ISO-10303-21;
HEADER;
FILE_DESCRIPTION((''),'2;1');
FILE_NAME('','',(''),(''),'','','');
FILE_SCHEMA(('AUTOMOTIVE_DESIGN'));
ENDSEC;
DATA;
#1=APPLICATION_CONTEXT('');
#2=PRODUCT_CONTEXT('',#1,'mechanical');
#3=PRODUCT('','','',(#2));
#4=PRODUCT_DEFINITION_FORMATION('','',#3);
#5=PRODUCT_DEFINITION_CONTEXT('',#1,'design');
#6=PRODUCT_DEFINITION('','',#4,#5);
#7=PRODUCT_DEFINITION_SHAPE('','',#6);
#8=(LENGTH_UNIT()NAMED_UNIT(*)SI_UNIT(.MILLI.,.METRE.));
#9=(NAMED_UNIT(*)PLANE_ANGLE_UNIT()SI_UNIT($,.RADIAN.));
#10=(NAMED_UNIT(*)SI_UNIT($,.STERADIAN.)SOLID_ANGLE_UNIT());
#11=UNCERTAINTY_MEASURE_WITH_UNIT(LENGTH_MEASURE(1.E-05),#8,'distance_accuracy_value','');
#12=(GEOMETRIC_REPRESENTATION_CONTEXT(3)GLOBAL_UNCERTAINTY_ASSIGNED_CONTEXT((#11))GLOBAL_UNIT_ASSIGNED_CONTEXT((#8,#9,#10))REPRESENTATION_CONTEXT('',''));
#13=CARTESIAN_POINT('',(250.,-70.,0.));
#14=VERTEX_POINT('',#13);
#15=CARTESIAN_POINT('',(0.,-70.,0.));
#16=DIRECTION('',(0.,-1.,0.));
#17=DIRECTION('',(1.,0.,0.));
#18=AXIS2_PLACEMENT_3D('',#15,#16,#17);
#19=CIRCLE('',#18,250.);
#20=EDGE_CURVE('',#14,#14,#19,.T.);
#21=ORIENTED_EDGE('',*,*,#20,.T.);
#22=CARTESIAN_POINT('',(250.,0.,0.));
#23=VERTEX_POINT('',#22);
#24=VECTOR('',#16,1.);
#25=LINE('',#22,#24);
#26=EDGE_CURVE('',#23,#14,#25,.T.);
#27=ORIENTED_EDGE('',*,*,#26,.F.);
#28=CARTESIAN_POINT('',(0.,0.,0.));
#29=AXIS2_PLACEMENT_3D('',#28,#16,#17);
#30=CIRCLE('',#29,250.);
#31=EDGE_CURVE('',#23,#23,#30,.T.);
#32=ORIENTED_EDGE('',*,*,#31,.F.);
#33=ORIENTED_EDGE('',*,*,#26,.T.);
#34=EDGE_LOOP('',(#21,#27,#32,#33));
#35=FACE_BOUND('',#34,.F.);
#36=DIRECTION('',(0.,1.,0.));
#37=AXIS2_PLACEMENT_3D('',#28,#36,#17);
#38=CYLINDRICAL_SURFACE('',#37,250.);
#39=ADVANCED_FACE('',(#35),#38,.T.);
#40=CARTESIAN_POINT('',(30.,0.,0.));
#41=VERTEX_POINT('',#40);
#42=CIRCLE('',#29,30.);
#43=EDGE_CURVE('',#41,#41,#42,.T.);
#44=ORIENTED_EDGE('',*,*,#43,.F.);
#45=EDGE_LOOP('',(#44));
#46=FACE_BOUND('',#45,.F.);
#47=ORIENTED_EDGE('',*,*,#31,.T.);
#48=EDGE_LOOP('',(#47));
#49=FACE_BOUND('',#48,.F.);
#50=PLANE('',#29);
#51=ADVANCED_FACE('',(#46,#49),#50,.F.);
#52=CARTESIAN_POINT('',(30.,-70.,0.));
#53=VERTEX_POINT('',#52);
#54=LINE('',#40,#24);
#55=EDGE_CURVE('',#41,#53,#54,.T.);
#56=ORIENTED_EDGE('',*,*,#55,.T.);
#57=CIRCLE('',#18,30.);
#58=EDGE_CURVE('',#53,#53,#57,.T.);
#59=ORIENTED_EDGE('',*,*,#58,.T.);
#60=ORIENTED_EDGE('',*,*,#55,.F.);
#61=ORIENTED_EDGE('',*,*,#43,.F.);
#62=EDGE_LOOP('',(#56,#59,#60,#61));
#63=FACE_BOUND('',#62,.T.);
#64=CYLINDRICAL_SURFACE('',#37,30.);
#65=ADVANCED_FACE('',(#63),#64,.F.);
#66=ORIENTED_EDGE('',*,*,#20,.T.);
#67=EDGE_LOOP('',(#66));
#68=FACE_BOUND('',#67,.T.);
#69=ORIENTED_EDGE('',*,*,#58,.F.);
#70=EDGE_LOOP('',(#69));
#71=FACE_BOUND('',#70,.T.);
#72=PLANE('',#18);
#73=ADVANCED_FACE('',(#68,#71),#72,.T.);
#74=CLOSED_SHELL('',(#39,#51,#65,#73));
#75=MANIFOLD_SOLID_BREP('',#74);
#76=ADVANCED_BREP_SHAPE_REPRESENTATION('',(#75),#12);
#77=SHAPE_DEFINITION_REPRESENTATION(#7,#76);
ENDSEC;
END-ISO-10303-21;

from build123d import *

# Parameters (mm, degrees)
SKETCH_R   = 250
SKETCH_R_2 = 30
PAD_DEPTH  = 70


with BuildPart() as part:
    # Sketch → Pad (new body)
    with BuildSketch(Plane.XZ):
        Circle(SKETCH_R)
        Circle(SKETCH_R_2, mode=Mode.SUBTRACT)
    extrude(amount=PAD_DEPTH)


solid = part.part
